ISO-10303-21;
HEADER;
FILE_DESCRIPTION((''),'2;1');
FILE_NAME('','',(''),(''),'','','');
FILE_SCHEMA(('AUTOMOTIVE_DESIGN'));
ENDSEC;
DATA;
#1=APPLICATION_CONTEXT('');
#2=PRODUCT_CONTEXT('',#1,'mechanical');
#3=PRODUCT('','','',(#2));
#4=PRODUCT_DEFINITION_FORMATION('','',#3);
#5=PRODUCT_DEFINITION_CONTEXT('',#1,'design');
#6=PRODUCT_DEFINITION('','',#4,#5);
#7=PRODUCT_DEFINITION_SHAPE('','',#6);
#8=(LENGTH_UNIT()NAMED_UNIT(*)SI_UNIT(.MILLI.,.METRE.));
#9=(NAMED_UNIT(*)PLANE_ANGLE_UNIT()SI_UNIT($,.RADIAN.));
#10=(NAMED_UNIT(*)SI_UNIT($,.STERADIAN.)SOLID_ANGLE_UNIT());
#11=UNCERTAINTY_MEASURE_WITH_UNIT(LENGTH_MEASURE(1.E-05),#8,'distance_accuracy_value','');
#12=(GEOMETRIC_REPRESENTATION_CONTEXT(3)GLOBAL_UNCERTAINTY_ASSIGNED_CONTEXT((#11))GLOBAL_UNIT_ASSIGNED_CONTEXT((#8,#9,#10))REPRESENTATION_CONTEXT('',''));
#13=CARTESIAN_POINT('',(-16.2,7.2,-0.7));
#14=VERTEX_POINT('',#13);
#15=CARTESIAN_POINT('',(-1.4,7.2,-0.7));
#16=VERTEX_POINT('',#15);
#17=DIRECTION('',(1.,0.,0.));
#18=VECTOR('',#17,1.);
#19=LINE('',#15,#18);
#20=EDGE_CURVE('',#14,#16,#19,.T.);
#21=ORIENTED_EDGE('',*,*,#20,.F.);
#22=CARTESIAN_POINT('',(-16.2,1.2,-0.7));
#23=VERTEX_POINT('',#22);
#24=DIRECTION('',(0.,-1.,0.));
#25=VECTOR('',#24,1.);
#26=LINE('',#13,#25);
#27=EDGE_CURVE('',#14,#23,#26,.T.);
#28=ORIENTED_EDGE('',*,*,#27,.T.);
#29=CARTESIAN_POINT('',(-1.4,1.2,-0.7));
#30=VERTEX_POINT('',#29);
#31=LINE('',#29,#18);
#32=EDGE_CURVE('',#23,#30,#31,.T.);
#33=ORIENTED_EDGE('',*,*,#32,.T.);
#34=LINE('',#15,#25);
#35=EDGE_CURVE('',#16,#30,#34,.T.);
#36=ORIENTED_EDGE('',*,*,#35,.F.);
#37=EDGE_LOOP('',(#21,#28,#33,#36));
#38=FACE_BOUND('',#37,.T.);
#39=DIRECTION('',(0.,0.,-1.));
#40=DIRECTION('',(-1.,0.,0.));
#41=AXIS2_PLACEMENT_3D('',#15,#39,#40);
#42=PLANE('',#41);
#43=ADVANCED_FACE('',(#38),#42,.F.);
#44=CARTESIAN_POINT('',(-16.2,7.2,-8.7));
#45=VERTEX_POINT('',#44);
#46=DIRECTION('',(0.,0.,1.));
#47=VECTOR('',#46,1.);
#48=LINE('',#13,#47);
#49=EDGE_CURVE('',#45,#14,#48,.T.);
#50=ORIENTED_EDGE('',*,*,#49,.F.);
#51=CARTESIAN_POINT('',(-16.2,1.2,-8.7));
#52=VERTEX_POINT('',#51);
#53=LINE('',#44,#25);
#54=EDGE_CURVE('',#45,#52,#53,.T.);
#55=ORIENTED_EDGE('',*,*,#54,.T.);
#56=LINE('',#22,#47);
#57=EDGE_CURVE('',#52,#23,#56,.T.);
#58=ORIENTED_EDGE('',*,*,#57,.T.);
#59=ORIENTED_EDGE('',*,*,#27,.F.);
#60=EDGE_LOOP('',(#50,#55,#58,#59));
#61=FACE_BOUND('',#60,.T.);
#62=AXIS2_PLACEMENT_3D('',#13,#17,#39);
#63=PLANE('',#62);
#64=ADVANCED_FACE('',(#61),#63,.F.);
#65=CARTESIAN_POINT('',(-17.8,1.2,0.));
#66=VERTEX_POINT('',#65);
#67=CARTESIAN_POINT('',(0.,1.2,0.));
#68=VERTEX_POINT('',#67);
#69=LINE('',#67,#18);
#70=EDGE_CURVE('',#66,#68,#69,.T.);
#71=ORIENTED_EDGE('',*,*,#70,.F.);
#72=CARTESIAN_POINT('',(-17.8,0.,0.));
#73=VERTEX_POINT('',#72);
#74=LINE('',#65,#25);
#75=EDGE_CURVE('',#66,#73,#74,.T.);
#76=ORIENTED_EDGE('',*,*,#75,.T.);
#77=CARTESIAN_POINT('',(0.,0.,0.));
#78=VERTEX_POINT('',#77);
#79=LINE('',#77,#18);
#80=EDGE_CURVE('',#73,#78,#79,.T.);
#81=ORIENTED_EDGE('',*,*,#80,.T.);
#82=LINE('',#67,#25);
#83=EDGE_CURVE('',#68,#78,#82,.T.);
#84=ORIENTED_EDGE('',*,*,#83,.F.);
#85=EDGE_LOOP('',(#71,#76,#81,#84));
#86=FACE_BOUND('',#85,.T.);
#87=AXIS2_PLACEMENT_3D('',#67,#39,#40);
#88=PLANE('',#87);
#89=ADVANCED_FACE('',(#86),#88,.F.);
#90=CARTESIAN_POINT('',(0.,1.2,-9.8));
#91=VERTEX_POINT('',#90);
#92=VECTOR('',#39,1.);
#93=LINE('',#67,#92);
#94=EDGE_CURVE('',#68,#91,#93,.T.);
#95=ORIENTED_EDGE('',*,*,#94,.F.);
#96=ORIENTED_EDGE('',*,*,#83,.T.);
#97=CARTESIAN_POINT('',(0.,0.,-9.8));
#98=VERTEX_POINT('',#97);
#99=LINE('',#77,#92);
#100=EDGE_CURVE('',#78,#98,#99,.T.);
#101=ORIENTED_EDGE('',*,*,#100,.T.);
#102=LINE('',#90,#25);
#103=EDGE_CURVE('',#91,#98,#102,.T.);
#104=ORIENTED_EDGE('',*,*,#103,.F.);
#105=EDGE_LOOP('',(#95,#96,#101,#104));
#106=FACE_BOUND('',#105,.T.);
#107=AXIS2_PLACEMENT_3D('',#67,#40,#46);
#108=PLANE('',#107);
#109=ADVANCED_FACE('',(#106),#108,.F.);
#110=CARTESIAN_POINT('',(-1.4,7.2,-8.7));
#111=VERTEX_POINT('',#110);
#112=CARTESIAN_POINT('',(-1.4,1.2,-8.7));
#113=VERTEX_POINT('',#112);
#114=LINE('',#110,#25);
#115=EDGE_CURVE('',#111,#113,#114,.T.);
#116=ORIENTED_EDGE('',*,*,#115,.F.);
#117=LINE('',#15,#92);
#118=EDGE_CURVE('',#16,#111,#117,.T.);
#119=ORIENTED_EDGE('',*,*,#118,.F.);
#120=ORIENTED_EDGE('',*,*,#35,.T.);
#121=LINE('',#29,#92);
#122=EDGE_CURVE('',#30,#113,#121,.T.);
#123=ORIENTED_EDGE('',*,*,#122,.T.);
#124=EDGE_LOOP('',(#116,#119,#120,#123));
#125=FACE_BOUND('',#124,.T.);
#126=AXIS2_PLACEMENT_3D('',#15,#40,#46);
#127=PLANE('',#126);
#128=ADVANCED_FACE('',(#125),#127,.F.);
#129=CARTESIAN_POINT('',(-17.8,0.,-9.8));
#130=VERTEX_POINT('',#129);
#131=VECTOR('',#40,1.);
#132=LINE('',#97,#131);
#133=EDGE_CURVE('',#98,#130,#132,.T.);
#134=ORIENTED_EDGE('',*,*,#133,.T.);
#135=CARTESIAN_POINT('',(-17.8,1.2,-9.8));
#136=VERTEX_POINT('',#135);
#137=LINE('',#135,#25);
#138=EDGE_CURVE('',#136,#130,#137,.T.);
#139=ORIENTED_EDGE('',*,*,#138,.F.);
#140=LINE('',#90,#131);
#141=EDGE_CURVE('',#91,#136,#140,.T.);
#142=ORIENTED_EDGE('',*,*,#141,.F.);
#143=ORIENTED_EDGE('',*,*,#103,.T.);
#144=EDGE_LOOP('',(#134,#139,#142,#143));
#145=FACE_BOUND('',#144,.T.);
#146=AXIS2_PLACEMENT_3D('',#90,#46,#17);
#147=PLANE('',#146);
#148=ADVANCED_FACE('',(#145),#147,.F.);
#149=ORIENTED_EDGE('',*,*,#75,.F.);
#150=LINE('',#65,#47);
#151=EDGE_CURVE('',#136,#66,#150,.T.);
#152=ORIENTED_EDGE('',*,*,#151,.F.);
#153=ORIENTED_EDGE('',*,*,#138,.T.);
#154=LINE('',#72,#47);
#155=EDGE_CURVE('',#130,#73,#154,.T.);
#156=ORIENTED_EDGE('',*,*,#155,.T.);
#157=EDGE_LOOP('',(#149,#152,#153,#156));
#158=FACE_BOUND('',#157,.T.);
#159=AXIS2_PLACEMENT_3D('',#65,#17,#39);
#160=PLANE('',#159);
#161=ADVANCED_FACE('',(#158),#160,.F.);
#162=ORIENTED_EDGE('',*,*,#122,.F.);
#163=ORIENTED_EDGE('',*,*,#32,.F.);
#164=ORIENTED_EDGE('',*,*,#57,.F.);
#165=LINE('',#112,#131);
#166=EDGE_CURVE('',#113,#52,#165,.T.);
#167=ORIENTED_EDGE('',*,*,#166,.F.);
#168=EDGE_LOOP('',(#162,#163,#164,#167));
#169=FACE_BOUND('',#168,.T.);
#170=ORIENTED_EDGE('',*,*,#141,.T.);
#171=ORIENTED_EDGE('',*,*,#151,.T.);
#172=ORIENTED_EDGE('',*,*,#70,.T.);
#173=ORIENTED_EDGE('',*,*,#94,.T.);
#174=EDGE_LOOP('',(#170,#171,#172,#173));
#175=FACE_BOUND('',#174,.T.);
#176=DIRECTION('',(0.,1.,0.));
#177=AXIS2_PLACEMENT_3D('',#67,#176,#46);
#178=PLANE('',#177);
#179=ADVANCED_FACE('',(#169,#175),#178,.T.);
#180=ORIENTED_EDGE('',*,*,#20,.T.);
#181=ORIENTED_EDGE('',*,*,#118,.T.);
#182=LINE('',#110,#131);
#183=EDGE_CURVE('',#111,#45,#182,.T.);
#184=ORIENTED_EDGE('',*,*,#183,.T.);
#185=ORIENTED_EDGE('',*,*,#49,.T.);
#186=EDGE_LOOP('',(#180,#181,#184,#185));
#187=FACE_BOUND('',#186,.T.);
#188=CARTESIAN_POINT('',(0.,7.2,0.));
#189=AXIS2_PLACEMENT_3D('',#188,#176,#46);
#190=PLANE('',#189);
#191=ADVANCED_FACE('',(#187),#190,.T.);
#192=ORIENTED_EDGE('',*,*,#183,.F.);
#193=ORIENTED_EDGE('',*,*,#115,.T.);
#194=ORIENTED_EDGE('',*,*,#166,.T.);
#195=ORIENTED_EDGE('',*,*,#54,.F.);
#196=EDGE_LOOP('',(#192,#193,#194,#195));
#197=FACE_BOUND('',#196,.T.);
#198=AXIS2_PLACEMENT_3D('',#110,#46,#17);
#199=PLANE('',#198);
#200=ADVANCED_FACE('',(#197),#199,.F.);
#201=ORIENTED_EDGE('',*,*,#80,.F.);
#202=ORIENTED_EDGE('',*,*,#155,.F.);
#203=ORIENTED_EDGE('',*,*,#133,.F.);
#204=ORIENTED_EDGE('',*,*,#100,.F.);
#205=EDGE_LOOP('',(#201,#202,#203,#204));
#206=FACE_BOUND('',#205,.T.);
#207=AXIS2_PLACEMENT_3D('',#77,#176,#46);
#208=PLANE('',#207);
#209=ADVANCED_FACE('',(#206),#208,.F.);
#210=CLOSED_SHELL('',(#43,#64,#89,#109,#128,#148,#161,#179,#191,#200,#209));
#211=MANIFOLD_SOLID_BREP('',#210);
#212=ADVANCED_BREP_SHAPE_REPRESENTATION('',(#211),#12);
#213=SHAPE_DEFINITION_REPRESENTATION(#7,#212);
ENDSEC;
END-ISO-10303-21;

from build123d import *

# Parameters (mm, degrees)
SKETCH_1_W      = 17.8
SKETCH_1_H      = 9.8
EXTRUDE_1_DEPTH = 1.2
SKETCH_2_W      = 14.8
SKETCH_2_H      = 8
EXTRUDE_2_DEPTH = 6


with BuildPart() as part:
    # 草图1 → 凸台-拉伸1 (new body)
    with BuildSketch(Plane(origin=(0, 0, 0), x_dir=(1, 0, 0), z_dir=(0, 1, 0))):
        with Locations((-8.9, 4.9)):
            Rectangle(SKETCH_1_W, SKETCH_1_H)
    extrude(amount=EXTRUDE_1_DEPTH)

    # 草图2 → 凸台-拉伸2 (add)
    with BuildSketch(Plane(origin=(0, 1.2, 0), x_dir=(1, 0, 0), z_dir=(0, 1, 0))):
        with Locations((-8.8, 4.7)):
            Rectangle(SKETCH_2_W, SKETCH_2_H)
    extrude(amount=EXTRUDE_2_DEPTH)


solid = part.part
